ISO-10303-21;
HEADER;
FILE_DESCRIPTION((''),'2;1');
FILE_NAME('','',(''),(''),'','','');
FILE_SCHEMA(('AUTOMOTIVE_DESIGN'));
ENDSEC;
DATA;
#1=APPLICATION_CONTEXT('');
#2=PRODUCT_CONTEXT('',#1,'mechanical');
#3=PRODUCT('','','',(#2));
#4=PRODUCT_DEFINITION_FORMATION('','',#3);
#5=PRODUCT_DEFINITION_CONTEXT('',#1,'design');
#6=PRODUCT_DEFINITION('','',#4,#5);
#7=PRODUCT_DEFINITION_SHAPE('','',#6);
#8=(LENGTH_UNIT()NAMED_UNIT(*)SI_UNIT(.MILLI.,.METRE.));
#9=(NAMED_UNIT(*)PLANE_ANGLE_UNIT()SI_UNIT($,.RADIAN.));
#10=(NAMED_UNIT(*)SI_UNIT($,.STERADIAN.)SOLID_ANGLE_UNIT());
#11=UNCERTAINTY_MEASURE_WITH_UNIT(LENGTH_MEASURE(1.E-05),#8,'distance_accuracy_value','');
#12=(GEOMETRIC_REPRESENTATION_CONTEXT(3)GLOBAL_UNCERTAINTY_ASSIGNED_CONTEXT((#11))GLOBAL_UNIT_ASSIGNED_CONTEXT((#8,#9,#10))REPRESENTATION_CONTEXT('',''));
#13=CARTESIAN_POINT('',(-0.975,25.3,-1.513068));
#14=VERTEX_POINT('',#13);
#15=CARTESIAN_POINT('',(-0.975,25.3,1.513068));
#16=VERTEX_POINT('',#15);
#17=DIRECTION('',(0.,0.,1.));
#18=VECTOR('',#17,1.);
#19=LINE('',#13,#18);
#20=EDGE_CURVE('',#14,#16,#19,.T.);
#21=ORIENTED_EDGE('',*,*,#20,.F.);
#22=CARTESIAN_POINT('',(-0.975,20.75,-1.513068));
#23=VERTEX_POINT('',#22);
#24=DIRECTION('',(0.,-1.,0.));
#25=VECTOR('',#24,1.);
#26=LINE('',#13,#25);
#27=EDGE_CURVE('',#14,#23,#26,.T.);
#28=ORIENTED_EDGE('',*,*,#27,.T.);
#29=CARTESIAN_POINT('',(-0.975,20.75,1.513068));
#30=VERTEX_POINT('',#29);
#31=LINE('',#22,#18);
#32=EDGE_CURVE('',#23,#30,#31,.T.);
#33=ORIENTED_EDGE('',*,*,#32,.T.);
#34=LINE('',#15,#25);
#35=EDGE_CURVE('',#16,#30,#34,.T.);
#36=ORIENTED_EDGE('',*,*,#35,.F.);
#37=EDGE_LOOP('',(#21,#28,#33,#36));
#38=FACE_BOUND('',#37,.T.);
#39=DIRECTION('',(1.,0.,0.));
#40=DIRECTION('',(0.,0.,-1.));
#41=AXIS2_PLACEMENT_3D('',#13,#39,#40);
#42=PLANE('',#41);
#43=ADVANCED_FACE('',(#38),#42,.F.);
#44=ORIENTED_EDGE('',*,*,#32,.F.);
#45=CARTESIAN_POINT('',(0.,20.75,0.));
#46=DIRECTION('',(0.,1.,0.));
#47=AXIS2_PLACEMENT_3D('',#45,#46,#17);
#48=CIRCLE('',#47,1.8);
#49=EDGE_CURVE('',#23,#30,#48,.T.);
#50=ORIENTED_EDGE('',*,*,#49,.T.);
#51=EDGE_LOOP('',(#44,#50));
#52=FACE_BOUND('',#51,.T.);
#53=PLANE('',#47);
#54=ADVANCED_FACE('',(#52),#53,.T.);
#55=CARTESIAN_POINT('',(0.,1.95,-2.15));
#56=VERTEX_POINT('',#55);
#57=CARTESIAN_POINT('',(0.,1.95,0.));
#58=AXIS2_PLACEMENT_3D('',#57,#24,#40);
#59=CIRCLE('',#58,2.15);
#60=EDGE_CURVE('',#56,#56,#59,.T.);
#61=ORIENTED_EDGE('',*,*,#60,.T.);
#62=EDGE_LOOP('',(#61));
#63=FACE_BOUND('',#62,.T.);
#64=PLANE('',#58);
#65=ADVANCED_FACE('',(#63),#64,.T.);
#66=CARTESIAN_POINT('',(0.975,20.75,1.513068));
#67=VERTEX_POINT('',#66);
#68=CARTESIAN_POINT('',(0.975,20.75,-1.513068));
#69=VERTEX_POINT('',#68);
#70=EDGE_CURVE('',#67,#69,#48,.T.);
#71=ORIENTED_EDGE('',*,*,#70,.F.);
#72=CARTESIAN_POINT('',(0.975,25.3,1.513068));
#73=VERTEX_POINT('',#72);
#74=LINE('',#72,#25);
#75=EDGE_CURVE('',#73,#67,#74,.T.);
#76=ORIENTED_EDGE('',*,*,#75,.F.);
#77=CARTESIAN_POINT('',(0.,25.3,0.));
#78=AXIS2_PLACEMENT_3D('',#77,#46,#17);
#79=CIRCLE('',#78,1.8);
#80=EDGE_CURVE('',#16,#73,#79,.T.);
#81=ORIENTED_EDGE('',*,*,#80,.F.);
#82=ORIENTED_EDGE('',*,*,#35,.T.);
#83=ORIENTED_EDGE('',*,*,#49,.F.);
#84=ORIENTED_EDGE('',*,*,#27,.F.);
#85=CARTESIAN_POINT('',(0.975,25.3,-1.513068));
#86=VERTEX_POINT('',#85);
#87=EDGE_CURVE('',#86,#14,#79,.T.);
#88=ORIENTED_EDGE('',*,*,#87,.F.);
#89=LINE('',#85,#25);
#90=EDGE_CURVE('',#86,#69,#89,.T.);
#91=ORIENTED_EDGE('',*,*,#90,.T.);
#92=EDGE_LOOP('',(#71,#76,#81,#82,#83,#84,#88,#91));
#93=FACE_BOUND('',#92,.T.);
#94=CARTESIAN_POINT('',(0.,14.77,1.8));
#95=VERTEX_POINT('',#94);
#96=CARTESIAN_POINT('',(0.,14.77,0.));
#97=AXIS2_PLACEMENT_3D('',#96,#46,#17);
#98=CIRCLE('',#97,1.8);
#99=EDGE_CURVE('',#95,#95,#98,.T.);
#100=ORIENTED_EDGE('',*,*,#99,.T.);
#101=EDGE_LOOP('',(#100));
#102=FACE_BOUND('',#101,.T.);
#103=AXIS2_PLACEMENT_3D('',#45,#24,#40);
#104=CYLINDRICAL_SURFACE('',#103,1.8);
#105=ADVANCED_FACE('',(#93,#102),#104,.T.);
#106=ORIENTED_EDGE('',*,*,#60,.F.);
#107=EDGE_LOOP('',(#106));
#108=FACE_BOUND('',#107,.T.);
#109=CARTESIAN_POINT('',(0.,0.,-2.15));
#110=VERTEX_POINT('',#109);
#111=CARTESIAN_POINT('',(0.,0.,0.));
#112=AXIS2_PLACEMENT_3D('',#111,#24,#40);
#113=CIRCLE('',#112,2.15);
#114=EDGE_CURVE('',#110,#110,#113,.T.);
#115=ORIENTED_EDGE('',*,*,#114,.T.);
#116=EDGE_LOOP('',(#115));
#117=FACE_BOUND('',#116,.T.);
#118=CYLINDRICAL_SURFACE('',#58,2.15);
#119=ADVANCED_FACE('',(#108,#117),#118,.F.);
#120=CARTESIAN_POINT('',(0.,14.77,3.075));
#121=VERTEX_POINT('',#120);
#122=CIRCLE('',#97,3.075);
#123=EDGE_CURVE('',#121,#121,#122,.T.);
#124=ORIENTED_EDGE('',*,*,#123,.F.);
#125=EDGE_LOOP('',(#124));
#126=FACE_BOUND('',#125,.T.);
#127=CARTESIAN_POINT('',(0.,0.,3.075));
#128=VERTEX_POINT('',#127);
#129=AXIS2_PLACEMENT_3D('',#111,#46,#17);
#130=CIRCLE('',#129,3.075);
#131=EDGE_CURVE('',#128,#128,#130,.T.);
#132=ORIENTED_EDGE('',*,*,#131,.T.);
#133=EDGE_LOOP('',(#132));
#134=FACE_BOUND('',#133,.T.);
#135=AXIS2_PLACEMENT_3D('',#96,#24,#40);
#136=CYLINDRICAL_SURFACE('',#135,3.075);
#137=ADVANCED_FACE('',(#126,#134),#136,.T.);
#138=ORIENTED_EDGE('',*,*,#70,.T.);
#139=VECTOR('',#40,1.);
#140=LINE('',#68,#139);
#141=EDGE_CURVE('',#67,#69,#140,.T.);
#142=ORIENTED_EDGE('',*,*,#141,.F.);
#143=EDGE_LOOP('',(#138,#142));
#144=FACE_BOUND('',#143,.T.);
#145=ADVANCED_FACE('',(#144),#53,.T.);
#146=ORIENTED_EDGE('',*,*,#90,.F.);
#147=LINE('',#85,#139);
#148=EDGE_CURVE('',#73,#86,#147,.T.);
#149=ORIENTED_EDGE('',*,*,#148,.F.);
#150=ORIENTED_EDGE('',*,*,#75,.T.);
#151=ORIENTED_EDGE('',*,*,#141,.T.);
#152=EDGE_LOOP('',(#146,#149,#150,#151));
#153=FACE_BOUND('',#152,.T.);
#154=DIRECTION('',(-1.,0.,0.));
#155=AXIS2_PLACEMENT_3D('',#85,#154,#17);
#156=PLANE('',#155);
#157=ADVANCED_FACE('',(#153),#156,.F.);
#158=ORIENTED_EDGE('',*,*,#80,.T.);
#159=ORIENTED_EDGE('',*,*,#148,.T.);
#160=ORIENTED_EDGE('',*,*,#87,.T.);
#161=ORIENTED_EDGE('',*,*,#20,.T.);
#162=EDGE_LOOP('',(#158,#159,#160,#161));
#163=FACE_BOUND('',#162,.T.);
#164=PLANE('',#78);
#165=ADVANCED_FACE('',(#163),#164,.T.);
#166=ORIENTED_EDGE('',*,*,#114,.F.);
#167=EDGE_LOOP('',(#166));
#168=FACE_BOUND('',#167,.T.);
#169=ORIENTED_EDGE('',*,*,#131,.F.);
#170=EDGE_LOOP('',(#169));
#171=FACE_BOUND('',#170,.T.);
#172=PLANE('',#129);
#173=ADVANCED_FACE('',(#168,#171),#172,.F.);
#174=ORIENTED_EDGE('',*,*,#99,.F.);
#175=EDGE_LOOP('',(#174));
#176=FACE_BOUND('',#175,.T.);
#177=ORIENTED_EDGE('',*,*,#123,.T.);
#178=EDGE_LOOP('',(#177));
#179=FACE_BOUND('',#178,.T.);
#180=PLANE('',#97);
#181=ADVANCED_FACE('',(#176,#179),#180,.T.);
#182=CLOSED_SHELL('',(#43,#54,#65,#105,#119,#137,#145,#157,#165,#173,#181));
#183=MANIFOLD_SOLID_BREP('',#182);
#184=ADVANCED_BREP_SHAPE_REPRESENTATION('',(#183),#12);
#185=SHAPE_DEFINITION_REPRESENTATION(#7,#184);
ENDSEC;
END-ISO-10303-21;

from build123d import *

# Parameters (mm, degrees)
SKETCH1_R           = 3.075
BOSS_EXTRUDE1_DEPTH = 14.77
SKETCH2_R           = 1.8
BOSS_EXTRUDE2_DEPTH = 5.98
BOSS_EXTRUDE3_DEPTH = 4.55
SKETCH4_R           = 2.15
CUT_EXTRUDE1_DEPTH  = 1.95


with BuildPart() as part:
    # Sketch1 → Boss-Extrude1 (new body)
    with BuildSketch(Plane(origin=(0, 0, 0), x_dir=(1, 0, 0), z_dir=(0, 1, 0))):
        with Locations(Location((0, 0, 0), (0, 0, 270))):
            Circle(SKETCH1_R)
    extrude(amount=BOSS_EXTRUDE1_DEPTH)

    # Sketch2 → Boss-Extrude2 (add)
    with BuildSketch(Plane(origin=(0, 14.77, 0), x_dir=(1, 0, 0), z_dir=(0, 1, 0))):
        with Locations(Location((0, 0, 0), (0, 0, 90))):
            Circle(SKETCH2_R)
    extrude(amount=BOSS_EXTRUDE2_DEPTH)

    # Sketch3 → Boss-Extrude3 (add)
    with BuildSketch(Plane(origin=(0, 20.75, 0), x_dir=(1, 0, 0), z_dir=(0, 1, 0))):
        with BuildLine():
            Line((-0.975, 1.513068075), (-0.975, -1.513068075))
            ThreePointArc((-0.975, -1.513068075), (0, -1.8), (0.975, -1.513068075))
            Line((0.975, -1.513068075), (0.975, 1.513068075))
            ThreePointArc((0.975, 1.513068075), (0, 1.8), (-0.975, 1.513068075))
        make_face()
    extrude(amount=BOSS_EXTRUDE3_DEPTH)

    # Sketch4 → Cut-Extrude1 (cut)
    with BuildSketch(Plane.XZ):
        with Locations(Location((0, 0, 0), (0, 0, 270))):
            Circle(SKETCH4_R)
    extrude(amount=-CUT_EXTRUDE1_DEPTH, mode=Mode.SUBTRACT)


solid = part.part
